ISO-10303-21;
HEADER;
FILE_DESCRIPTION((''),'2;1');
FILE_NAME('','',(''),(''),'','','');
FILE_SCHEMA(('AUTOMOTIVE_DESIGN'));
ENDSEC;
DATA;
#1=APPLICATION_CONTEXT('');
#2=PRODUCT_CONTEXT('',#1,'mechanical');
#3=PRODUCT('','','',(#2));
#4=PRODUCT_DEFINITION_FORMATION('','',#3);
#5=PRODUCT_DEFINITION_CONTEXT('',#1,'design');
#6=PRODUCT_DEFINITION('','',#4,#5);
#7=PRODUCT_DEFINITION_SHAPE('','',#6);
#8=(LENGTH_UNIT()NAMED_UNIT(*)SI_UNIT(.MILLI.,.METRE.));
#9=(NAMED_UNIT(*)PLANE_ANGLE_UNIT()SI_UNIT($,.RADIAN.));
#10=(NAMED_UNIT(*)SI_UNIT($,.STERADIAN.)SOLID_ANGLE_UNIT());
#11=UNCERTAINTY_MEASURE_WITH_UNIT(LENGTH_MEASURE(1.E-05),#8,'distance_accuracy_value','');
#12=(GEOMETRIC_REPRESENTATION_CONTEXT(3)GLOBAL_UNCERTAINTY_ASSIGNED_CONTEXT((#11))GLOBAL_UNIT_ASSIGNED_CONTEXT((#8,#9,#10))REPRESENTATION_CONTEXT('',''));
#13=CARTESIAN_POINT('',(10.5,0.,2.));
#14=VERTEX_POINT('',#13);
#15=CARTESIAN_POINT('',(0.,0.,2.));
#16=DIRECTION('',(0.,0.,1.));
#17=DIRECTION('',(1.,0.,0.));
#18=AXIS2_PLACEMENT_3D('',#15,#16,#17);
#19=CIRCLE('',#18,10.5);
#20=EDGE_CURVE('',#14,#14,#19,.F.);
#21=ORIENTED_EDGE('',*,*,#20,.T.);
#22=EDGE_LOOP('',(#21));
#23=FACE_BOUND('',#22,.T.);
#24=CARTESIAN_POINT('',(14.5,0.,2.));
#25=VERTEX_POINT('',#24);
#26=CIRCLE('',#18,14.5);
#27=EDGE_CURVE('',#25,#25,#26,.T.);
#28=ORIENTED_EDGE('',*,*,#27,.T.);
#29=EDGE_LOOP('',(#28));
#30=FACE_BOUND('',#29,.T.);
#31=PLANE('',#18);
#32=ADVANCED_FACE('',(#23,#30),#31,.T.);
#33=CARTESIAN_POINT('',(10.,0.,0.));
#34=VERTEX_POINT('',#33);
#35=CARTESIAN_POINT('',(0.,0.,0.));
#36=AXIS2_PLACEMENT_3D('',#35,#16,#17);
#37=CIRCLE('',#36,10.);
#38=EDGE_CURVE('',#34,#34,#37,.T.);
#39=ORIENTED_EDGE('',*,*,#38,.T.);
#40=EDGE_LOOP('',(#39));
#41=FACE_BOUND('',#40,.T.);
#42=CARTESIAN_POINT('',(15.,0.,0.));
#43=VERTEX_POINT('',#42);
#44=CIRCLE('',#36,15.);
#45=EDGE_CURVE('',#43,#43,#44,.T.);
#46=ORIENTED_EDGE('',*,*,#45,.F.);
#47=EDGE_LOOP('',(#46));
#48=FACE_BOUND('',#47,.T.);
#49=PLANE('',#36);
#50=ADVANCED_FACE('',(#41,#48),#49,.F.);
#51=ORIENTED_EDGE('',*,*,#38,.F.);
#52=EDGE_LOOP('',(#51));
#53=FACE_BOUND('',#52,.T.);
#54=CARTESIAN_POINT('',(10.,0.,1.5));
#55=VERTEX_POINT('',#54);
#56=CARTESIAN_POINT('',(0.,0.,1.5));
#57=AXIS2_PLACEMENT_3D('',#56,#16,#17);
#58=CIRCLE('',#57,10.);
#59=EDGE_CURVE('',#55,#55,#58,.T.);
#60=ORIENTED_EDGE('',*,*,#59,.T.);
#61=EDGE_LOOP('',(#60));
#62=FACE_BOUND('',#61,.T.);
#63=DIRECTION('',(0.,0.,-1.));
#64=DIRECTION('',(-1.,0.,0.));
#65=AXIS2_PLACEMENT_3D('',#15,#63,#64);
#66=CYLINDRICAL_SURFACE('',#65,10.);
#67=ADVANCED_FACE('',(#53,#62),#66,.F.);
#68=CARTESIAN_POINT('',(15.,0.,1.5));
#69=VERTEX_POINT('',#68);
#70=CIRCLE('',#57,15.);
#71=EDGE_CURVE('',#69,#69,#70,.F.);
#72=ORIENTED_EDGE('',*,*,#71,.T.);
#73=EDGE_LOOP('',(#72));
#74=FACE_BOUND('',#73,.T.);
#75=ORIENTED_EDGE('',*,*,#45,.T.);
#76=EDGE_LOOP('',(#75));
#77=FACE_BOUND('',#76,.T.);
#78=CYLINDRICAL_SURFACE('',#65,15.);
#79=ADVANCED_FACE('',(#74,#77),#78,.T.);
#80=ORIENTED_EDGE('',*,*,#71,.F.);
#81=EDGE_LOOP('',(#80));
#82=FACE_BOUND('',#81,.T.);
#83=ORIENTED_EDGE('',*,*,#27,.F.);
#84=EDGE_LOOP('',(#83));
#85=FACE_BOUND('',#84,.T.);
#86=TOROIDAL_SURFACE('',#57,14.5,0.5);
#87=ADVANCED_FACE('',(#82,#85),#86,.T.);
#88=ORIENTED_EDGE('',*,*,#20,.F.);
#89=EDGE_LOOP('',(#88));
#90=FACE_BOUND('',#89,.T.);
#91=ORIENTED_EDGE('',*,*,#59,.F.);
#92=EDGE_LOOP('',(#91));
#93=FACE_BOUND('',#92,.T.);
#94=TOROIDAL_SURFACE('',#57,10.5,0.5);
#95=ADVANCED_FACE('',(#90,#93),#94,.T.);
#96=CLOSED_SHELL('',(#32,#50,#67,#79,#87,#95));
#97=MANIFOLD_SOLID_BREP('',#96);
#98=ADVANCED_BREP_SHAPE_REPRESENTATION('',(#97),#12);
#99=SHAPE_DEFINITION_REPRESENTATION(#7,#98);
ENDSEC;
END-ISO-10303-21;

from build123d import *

# Parameters (mm, degrees)
SKETCH1_R           = 15
SKETCH1_R_2         = 10
BOSS_EXTRUDE1_DEPTH = 2
FILLET1_R           = 0.5


with BuildPart() as part:
    # Sketch1 → Boss-Extrude1 (new body)
    with BuildSketch(Plane.XY):
        Circle(SKETCH1_R)
        Circle(SKETCH1_R_2, mode=Mode.SUBTRACT)
    extrude(amount=BOSS_EXTRUDE1_DEPTH)

    # Fillet1
    fillet1_edges = [part.edges().sort_by_distance(p)[0] for p in [
        (-15, 0, 2),
        (-10, 0, 2),
    ]]
    fillet(fillet1_edges, radius=FILLET1_R)


solid = part.part
